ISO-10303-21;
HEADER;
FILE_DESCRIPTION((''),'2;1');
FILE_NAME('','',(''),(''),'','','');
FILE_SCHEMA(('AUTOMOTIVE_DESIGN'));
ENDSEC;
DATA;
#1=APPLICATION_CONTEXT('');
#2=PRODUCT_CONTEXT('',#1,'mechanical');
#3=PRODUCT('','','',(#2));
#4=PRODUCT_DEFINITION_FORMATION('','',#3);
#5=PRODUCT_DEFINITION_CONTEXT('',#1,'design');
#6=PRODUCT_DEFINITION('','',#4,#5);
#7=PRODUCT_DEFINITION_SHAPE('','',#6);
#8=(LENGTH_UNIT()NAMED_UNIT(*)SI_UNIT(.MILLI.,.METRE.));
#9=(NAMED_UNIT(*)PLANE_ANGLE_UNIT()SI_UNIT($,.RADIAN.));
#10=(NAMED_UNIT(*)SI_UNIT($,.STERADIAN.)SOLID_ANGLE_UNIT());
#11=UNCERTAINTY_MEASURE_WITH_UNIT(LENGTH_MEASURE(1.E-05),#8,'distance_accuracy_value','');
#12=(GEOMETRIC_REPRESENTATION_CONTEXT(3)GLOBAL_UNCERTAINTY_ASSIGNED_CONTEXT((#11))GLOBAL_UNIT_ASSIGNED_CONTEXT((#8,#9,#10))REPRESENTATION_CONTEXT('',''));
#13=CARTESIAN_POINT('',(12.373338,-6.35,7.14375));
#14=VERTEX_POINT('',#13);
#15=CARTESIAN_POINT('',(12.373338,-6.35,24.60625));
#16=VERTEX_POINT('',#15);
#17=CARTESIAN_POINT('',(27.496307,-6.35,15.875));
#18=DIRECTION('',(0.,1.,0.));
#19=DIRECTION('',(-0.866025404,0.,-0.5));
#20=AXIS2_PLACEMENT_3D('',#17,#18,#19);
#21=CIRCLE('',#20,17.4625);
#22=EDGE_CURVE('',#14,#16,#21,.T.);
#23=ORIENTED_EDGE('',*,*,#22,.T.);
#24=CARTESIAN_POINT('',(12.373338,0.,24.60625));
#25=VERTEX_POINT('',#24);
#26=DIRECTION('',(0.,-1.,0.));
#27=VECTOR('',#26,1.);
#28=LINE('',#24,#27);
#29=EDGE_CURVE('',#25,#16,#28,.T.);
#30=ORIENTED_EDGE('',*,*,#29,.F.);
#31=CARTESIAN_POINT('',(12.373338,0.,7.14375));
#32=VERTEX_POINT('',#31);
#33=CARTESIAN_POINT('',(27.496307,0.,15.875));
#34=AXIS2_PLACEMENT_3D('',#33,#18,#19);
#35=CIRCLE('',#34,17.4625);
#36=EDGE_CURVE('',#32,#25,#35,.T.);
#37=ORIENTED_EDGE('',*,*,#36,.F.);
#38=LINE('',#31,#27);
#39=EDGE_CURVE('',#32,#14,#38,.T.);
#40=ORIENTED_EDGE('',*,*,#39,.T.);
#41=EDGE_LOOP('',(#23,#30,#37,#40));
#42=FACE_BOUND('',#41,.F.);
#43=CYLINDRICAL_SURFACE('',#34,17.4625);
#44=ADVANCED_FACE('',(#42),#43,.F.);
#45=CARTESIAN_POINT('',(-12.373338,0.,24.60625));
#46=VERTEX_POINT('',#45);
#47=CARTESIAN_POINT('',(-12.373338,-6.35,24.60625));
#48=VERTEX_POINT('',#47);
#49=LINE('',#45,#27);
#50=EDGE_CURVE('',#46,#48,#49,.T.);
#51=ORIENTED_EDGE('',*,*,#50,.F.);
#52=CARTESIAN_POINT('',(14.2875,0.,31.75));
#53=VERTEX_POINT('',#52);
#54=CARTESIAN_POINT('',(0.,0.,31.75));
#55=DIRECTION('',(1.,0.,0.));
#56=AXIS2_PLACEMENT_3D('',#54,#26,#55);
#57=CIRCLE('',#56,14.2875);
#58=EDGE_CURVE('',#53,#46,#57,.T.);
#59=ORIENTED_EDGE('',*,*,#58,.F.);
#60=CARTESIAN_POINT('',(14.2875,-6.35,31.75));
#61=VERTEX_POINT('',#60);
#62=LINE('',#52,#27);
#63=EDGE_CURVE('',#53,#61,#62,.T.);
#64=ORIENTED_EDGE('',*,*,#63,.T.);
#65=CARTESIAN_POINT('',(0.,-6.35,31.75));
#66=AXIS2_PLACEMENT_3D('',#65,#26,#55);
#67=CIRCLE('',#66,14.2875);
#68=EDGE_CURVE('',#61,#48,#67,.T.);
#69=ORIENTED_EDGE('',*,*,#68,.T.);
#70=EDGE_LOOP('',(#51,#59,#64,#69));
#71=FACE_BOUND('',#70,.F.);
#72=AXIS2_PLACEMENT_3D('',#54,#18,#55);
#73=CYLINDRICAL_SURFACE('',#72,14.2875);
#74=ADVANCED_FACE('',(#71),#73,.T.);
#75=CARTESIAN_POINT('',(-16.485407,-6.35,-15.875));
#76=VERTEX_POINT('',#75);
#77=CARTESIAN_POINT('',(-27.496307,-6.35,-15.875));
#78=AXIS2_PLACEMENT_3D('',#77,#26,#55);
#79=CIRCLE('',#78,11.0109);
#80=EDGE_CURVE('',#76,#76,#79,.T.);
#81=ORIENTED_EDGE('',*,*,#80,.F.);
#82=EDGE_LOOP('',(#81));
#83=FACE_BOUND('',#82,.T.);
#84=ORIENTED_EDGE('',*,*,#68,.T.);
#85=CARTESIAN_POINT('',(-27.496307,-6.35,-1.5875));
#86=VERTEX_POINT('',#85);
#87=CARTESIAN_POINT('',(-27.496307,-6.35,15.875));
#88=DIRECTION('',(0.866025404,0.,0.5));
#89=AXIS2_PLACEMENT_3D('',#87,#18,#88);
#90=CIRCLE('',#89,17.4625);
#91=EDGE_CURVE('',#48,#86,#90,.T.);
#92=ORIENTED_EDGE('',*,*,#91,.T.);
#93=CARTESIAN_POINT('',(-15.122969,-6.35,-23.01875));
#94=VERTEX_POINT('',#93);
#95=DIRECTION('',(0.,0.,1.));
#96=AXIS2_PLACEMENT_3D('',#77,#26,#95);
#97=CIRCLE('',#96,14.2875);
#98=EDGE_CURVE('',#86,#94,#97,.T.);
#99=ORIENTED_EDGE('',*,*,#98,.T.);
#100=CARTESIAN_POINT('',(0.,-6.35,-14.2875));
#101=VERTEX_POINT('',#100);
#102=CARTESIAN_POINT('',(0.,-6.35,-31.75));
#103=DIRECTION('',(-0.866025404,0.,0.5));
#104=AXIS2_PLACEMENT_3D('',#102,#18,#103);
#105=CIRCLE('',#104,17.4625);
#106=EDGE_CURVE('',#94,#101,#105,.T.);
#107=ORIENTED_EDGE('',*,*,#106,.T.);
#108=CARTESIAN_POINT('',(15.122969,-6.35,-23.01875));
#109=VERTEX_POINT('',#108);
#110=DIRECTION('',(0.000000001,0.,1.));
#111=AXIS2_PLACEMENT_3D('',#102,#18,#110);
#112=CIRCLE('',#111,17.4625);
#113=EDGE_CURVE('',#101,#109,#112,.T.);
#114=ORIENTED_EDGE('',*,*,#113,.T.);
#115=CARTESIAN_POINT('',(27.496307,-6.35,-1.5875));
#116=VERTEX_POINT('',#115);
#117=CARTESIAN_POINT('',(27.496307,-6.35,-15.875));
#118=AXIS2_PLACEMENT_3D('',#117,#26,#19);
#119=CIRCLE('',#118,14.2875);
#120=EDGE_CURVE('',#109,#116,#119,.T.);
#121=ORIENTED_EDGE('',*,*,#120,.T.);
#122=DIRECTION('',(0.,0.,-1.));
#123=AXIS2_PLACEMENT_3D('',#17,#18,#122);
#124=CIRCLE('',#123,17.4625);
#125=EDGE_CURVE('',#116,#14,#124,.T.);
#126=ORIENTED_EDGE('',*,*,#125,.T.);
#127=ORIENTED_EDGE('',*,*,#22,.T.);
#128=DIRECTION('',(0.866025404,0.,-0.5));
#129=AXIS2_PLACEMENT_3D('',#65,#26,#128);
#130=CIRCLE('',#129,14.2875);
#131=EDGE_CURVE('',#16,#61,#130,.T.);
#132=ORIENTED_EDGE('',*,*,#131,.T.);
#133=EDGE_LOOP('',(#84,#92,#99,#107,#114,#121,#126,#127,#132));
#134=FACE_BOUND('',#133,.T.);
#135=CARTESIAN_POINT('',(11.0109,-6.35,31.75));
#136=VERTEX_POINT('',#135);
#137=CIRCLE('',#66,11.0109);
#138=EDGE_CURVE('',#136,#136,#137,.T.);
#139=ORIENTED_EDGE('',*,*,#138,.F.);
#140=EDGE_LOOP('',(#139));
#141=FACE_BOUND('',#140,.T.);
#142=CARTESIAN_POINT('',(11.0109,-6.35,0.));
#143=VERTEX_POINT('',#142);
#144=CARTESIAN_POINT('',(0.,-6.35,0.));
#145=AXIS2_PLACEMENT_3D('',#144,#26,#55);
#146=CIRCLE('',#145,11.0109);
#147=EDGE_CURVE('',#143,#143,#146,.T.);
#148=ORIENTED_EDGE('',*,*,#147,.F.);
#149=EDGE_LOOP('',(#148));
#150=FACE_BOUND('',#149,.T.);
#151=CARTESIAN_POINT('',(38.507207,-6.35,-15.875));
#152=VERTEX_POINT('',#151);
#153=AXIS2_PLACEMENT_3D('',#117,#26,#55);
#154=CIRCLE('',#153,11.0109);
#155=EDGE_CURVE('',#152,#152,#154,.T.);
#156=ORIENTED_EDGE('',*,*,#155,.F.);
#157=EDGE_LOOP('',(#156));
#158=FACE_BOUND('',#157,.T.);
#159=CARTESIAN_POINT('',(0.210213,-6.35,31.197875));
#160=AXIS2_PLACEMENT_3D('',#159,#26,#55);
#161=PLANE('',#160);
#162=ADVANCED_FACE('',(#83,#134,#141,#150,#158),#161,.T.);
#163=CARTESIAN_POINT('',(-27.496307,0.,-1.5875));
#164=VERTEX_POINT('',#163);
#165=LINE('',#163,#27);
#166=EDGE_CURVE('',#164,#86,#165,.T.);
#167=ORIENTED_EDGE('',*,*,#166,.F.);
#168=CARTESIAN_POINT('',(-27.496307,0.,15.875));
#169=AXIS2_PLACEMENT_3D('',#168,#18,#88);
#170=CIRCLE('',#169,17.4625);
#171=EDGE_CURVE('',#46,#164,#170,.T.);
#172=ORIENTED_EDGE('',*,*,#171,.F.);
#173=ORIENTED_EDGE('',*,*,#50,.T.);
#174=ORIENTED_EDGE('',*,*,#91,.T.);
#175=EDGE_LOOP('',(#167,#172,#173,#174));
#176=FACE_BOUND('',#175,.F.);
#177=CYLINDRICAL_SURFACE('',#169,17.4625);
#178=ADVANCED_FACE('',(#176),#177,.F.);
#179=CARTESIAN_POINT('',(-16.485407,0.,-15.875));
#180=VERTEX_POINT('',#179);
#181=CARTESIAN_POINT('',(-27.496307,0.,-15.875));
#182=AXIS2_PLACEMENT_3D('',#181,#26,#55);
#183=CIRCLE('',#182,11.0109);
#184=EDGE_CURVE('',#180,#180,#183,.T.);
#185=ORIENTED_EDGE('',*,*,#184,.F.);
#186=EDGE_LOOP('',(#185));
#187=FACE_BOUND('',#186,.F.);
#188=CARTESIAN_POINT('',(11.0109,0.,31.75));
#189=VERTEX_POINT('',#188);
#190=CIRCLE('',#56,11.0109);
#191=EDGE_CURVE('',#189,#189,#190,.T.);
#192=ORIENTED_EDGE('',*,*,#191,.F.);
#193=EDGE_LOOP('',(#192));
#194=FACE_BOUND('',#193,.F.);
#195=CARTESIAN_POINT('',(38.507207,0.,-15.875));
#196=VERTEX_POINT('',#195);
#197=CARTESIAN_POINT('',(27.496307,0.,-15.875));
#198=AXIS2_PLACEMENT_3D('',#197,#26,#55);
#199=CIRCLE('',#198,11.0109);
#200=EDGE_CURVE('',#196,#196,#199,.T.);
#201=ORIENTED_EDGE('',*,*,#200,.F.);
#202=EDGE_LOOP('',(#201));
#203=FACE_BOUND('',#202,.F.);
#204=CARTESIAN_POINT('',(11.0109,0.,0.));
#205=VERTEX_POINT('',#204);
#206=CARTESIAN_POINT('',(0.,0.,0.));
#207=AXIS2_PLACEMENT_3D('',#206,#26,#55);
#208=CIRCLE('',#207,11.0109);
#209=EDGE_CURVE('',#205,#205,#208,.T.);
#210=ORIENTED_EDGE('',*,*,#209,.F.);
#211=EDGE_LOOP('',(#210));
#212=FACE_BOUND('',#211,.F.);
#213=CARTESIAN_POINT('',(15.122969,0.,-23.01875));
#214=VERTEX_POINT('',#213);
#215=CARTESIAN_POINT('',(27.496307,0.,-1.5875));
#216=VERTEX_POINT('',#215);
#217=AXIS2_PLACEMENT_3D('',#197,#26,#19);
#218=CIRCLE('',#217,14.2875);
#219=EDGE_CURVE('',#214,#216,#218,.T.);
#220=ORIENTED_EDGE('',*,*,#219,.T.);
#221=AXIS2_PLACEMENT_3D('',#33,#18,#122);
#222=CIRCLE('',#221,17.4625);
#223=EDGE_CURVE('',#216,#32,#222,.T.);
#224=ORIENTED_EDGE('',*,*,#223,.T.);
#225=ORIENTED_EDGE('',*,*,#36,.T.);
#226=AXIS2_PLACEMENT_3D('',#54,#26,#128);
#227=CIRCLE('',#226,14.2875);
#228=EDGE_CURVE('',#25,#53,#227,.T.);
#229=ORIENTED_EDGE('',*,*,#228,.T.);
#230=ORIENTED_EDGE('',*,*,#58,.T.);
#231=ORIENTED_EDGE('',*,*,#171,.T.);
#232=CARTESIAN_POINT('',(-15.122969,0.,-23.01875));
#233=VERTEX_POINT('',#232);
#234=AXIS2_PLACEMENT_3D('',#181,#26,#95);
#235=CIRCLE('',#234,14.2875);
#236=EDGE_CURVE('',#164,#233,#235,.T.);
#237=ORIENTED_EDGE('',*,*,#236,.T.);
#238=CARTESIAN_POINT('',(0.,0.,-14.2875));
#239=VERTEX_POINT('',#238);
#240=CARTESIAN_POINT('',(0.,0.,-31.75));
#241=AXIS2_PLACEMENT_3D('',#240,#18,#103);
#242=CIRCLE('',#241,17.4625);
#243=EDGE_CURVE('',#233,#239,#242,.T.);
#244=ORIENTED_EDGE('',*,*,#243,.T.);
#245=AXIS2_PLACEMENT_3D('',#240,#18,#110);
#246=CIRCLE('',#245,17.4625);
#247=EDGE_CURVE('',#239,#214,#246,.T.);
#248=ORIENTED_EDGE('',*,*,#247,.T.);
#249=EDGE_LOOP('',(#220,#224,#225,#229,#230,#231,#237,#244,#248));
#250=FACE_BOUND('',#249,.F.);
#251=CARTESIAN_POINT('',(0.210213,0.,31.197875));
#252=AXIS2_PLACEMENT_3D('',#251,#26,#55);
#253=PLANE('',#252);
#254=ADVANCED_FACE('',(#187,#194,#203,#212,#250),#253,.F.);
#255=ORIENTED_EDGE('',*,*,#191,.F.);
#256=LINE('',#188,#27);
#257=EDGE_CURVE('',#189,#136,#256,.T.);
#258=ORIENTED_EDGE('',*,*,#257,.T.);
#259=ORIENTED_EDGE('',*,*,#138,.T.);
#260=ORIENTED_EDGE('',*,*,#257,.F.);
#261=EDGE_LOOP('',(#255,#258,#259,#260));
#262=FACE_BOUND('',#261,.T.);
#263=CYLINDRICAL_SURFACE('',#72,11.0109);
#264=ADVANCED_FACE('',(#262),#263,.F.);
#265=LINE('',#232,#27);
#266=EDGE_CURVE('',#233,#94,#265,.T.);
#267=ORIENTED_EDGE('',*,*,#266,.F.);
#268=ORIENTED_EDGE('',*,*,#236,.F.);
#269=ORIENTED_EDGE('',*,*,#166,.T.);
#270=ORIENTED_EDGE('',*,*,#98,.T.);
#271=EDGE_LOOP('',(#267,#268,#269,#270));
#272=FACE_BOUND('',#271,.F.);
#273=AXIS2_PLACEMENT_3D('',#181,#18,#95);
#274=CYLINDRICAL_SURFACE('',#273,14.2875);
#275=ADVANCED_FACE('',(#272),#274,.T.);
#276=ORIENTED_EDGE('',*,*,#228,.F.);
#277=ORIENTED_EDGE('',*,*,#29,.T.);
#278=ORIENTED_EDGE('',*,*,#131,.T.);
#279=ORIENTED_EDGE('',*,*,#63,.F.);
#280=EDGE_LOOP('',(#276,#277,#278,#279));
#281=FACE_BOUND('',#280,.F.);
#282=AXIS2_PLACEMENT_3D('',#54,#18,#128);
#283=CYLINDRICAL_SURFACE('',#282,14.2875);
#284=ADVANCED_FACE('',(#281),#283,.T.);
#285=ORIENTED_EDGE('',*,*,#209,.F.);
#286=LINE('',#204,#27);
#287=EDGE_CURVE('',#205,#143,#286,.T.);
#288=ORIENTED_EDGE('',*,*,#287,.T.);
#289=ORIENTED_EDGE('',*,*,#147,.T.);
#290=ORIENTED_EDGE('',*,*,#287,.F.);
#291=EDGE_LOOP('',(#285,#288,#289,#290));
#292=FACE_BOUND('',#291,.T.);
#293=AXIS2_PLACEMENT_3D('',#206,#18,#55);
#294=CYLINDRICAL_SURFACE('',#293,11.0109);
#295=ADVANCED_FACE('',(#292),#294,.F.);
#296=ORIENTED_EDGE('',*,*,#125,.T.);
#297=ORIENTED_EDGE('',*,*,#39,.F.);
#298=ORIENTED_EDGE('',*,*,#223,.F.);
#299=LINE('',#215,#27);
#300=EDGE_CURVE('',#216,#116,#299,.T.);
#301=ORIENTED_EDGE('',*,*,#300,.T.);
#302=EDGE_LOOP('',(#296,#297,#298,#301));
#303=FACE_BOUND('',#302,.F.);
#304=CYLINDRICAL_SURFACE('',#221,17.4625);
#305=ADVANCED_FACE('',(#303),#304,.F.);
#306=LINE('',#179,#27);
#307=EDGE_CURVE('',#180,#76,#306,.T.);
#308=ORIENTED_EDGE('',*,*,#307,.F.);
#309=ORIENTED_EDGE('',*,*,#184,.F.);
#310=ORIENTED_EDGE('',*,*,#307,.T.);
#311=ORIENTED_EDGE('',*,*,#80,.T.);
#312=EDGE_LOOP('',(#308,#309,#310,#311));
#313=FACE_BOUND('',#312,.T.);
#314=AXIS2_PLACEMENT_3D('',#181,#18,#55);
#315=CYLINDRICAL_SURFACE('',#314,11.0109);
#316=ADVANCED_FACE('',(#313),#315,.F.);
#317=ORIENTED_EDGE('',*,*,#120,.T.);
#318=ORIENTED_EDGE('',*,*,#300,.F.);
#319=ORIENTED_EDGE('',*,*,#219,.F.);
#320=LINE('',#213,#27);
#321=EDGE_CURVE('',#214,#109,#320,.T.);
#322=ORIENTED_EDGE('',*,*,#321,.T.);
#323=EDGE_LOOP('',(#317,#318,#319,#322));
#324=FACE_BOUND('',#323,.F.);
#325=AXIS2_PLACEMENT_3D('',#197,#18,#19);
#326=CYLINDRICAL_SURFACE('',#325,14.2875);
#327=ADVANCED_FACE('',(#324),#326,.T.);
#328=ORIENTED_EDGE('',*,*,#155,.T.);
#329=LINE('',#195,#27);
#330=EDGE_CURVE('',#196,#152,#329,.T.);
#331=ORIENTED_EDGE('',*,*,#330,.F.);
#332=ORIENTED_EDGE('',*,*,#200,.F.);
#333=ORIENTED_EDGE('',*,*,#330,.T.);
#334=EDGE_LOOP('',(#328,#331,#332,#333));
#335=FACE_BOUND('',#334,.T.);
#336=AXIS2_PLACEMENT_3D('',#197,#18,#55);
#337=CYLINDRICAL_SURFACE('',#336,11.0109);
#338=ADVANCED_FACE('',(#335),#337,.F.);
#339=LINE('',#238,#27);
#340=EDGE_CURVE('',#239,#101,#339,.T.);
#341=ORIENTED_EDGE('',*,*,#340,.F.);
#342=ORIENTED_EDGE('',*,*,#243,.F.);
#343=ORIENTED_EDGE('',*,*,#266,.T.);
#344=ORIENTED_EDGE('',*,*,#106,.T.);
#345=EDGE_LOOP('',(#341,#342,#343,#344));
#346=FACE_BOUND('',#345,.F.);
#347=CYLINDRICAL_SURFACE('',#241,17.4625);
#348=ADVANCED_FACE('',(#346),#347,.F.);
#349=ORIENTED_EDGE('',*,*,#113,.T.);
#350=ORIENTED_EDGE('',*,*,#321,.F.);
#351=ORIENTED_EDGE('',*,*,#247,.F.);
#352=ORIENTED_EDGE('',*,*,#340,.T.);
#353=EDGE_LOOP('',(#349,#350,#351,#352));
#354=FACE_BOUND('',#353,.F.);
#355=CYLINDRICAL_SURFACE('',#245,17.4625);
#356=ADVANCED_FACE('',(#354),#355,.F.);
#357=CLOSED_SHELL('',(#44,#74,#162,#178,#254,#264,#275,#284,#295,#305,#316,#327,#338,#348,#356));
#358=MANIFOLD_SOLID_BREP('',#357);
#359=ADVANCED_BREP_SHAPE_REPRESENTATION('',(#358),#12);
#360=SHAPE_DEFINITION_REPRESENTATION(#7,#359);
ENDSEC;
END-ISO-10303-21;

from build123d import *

# Parameters (mm, degrees)
F0_R     = 11.0109
F1_DEPTH = 6.35


with BuildPart() as f1:
    # F0 (on Front) → F1 (new body)
    with BuildSketch(Plane.XZ):
        with BuildLine():
            ThreePointArc((-12.3733379566, 24.60625), (0, 17.4625), (12.3733379566, 24.60625))
            ThreePointArc((12.3733379566, 24.60625), (13.8006652431, 28.0521228931), (14.2875, 31.75))
            ThreePointArc((14.2875, 31.75), (-3.6978771069, 45.5506652431), (-12.3733379566, 24.60625))
        make_face()
        with Locations((0, 31.75)):
            Circle(F0_R, mode=Mode.SUBTRACT)
        with BuildLine():
            ThreePointArc((-12.3733379294, 7.1437500471), (2.59e-08, 14.2875), (12.3733379553, 7.1437500022))
            ThreePointArc((12.3733379553, 7.1437500022), (10.0338065702, 15.8750000013), (12.3733379566, 24.60625))
            ThreePointArc((12.3733379566, 24.60625), (0, 17.4625), (-12.3733379566, 24.60625))
            ThreePointArc((-12.3733379566, 24.60625), (-10.0338065702, 15.8750000272), (-12.3733379294, 7.1437500471))
        make_face()
        with BuildLine():
            ThreePointArc((-15.1229686136, -23.01875), (-8.7312499946, -16.6270313833), (1.26e-08, -14.2875))
            ThreePointArc((1.26e-08, -14.2875), (-12.373337967, -7.1437499819), (-12.3733379294, 7.1437500471))
            ThreePointArc((-12.3733379294, 7.1437500471), (-18.7650565466, 0.7520314), (-27.4963065702, -1.5875))
            ThreePointArc((-27.4963065702, -1.5875), (-17.393518434, -5.7722118638), (-13.2088065702, -15.875))
            ThreePointArc((-13.2088065702, -15.875), (-13.6956413271, -19.5728771069), (-15.1229686136, -23.01875))
        make_face()
        with BuildLine():
            ThreePointArc((1.26e-08, -14.2875), (10.1027881406, -10.1027881318), (14.2875, 0))
            ThreePointArc((14.2875, 0), (13.8006652428, 3.6978771082), (12.3733379553, 7.1437500022))
            ThreePointArc((12.3733379553, 7.1437500022), (2.59e-08, 14.2875), (-12.3733379294, 7.1437500471))
            ThreePointArc((-12.3733379294, 7.1437500471), (-12.373337967, -7.1437499819), (1.26e-08, -14.2875))
        make_face()
        Circle(F0_R, mode=Mode.SUBTRACT)
        with BuildLine():
            ThreePointArc((12.3733379553, 7.1437500022), (13.8006652428, 3.6978771082), (14.2875, 0))
            ThreePointArc((14.2875, 0), (10.1027881406, -10.1027881318), (1.26e-08, -14.2875))
            ThreePointArc((1.26e-08, -14.2875), (8.7312500054, -16.6270313896), (15.1229686136, -23.01875))
            ThreePointArc((15.1229686136, -23.01875), (15.1229686136, -8.73125), (27.4963065702, -1.5875))
            ThreePointArc((27.4963065702, -1.5875), (18.765056569, 0.7520313871), (12.3733379553, 7.1437500022))
        make_face()
        with BuildLine():
            ThreePointArc((41.7838065702, -15.875), (37.5990947064, -5.7722118638), (27.4963065702, -1.5875))
            ThreePointArc((27.4963065702, -1.5875), (15.1229686136, -8.73125), (15.1229686136, -23.01875))
            ThreePointArc((15.1229686136, -23.01875), (31.1941836771, -29.6756652431), (41.7838065702, -15.875))
        make_face()
        with Locations((27.4963065702, -15.875)):
            Circle(F0_R, mode=Mode.SUBTRACT)
        with BuildLine():
            ThreePointArc((-27.4963065702, -1.5875), (-39.8696445267, -23.01875), (-15.1229686136, -23.01875))
            ThreePointArc((-15.1229686136, -23.01875), (-13.6956413271, -19.5728771069), (-13.2088065702, -15.875))
            ThreePointArc((-13.2088065702, -15.875), (-17.393518434, -5.7722118638), (-27.4963065702, -1.5875))
        make_face()
        with Locations((-27.4963065702, -15.875)):
            Circle(F0_R, mode=Mode.SUBTRACT)
    extrude(amount=F1_DEPTH)


solid = f1.part
